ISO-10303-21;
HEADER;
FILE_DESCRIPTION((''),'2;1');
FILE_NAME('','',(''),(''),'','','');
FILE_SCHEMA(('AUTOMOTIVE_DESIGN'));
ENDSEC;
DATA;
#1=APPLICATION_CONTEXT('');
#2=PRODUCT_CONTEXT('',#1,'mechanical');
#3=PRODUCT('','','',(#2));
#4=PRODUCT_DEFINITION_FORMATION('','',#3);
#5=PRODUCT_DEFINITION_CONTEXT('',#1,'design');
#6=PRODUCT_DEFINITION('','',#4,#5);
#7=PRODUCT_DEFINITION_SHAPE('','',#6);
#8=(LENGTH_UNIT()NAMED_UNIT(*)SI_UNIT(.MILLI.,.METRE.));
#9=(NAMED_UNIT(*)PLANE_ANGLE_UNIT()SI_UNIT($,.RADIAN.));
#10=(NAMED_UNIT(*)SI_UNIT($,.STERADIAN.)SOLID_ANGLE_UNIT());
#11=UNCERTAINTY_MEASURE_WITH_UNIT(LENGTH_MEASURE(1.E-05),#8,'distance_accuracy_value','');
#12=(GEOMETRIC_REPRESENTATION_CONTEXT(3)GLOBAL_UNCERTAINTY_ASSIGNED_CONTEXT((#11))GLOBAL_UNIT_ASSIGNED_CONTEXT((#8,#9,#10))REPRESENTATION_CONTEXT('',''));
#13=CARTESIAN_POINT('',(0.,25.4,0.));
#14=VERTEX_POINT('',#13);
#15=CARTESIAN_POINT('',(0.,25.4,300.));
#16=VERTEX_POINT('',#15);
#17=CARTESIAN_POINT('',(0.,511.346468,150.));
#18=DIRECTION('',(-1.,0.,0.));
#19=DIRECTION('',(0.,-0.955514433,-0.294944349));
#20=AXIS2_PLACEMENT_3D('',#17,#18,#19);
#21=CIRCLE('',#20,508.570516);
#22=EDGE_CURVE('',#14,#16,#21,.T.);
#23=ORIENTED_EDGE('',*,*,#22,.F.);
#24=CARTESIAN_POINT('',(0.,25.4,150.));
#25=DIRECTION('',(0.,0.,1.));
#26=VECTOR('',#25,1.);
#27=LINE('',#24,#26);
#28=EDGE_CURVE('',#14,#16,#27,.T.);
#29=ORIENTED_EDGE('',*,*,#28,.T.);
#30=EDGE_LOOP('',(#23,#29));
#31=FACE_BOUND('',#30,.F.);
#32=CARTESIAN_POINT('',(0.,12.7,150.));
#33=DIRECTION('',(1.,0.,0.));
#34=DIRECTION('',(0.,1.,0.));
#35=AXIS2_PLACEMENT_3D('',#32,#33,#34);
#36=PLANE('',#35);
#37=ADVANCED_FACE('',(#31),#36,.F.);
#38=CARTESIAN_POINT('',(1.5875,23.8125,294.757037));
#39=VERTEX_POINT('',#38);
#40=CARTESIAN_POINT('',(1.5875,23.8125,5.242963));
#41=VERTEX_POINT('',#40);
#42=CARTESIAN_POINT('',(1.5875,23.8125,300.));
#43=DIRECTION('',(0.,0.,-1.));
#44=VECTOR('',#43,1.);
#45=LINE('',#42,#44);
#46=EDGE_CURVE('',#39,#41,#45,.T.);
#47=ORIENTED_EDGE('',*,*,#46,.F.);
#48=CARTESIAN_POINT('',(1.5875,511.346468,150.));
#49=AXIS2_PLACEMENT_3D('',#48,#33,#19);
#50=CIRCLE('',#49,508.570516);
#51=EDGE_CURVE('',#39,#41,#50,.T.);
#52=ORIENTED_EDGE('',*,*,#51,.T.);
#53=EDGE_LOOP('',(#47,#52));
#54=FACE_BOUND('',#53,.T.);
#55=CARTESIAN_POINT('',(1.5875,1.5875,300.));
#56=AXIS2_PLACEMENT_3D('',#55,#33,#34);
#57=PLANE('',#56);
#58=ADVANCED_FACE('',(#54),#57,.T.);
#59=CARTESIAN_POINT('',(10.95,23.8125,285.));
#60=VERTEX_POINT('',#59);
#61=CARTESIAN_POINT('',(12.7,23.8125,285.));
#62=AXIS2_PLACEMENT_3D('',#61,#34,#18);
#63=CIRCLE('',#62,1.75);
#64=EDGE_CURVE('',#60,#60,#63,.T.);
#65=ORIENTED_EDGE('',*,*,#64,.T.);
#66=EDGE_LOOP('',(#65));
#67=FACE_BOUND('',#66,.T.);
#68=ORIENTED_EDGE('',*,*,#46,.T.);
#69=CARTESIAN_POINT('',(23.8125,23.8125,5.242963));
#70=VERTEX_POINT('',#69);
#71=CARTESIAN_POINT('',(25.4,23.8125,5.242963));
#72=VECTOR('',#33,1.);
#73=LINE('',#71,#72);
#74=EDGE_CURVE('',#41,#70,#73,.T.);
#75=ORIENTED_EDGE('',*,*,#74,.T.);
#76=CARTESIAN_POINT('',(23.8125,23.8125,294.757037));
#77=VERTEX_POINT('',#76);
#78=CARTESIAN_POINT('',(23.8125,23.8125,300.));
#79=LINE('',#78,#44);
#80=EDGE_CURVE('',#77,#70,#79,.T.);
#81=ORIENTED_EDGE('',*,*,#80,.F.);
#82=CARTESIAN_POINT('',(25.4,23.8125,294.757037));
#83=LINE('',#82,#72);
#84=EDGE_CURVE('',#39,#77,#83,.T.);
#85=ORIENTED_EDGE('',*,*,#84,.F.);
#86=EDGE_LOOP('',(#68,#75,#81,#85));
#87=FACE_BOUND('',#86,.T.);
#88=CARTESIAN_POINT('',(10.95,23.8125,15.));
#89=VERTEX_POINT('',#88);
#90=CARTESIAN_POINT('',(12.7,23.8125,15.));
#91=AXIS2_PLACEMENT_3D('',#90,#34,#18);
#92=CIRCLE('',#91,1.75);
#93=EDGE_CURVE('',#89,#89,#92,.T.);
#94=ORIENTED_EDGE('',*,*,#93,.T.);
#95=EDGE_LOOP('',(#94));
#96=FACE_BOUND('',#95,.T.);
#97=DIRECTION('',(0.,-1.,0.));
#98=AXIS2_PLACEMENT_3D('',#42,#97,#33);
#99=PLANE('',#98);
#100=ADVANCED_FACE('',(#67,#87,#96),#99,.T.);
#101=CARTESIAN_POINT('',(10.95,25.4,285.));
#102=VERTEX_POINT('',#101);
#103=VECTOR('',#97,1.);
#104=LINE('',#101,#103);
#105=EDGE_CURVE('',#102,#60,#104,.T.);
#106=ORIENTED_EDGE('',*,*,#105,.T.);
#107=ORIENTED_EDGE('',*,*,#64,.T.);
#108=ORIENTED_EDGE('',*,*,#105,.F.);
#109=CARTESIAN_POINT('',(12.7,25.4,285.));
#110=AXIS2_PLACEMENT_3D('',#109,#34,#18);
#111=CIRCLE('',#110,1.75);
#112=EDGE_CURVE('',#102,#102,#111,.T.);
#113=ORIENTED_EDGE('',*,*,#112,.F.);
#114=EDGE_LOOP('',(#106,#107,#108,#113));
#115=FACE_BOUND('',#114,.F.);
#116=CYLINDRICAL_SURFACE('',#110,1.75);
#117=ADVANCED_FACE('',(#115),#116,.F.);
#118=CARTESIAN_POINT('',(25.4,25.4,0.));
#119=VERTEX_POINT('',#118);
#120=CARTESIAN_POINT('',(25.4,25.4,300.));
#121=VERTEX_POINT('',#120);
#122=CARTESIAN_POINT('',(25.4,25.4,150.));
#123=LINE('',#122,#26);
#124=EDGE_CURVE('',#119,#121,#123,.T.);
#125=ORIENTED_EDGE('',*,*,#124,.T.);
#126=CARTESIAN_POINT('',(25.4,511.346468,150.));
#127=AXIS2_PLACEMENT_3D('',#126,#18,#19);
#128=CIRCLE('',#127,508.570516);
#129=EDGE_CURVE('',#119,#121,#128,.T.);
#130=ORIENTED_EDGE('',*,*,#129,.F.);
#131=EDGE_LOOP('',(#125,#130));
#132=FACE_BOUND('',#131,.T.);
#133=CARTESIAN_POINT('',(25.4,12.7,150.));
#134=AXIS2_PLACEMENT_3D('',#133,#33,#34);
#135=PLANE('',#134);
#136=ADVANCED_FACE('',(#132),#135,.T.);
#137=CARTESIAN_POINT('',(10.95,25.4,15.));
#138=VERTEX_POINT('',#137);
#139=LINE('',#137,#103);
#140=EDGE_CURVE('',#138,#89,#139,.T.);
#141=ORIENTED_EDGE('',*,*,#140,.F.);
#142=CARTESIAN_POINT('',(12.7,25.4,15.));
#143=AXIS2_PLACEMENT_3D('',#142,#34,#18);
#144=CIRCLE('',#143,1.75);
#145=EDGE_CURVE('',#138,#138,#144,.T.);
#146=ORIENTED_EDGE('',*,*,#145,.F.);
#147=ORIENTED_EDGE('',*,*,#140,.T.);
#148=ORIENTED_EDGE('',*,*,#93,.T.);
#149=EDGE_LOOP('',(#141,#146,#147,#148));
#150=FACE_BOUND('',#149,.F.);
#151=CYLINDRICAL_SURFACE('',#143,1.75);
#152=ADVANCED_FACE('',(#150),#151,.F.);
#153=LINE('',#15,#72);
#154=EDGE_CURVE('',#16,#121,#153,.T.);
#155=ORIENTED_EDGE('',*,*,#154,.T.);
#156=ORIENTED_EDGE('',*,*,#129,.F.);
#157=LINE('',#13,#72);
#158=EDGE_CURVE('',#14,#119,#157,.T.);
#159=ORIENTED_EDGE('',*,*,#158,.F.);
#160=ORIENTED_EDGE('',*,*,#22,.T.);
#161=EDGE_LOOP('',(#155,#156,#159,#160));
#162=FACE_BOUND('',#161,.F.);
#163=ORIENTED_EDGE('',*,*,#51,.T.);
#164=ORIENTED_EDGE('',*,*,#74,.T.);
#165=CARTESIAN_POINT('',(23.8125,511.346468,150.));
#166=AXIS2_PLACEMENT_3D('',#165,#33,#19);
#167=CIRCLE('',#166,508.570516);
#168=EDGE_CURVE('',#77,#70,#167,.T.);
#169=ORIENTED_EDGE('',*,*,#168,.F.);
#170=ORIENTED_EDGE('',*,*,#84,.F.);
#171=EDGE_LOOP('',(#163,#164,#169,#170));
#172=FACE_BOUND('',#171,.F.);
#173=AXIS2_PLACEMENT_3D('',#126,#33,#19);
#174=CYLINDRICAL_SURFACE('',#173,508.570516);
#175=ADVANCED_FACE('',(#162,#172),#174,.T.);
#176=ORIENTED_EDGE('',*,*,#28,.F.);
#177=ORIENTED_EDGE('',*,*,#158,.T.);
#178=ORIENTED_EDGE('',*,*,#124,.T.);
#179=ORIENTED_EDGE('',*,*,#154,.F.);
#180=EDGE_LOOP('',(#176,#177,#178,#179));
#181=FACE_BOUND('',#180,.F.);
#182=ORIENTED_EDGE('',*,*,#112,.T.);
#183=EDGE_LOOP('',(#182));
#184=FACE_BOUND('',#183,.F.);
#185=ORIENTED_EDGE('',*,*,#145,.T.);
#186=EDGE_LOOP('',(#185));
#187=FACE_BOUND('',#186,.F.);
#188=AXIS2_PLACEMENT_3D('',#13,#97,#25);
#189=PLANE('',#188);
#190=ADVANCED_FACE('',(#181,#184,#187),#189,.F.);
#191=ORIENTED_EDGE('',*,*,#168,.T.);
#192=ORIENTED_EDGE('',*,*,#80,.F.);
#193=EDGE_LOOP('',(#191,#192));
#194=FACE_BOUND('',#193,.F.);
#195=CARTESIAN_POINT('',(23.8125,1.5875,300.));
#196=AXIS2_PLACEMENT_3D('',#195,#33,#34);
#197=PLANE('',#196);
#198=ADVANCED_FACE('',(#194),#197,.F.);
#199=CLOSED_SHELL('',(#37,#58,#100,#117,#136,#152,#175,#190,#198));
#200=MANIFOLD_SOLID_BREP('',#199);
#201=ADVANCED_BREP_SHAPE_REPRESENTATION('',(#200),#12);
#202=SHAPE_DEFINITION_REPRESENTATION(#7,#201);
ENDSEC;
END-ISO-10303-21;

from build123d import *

# Parameters (mm, degrees)
F0_W     = 25.4
F0_H     = 300
F1_DEPTH = 25.4
F2_W     = 22.225
F2_H     = 22.225
F3_DEPTH = 300
F5_DEPTH = 25.4
F6_R     = 1.75
F7_DEPTH = 25


with BuildPart() as f1:
    # F0 (on Right) → F1 (new body)
    with BuildSketch(Plane.YZ):
        with Locations((12.7, 150)):
            Rectangle(F0_W, F0_H)
    extrude(amount=F1_DEPTH)

    # F2 (on face) → F3 (cut)
    with BuildSketch(Plane.XY.offset(300)):
        with Locations((12.7, 12.7)):
            Rectangle(F2_W, F2_H)
    extrude(amount=-F3_DEPTH, mode=Mode.SUBTRACT)

    # F4 (on face) → F5 (cut)
    with BuildSketch(Plane.YZ.offset(25.4)):
        with BuildLine():
            ThreePointArc((25.4, 0), (2.775952, 150), (25.4, 300))
            Line((25.4, 300), (0, 300))
            Line((0, 300), (0, 0))
            Line((0, 0), (25.4, 0))
        make_face()
    extrude(amount=-F5_DEPTH, mode=Mode.SUBTRACT)

    # F6 (on face) → F7 (cut)
    with BuildSketch(Plane(origin=(0, 25.4, 0), x_dir=(-1, 0, 0), z_dir=(0, 1, 0))):
        with Locations((-12.7, 285)):
            Circle(F6_R)
        with Locations((-12.7, 15)):
            Circle(F6_R)
    extrude(amount=-F7_DEPTH, mode=Mode.SUBTRACT)


solid = f1.part
